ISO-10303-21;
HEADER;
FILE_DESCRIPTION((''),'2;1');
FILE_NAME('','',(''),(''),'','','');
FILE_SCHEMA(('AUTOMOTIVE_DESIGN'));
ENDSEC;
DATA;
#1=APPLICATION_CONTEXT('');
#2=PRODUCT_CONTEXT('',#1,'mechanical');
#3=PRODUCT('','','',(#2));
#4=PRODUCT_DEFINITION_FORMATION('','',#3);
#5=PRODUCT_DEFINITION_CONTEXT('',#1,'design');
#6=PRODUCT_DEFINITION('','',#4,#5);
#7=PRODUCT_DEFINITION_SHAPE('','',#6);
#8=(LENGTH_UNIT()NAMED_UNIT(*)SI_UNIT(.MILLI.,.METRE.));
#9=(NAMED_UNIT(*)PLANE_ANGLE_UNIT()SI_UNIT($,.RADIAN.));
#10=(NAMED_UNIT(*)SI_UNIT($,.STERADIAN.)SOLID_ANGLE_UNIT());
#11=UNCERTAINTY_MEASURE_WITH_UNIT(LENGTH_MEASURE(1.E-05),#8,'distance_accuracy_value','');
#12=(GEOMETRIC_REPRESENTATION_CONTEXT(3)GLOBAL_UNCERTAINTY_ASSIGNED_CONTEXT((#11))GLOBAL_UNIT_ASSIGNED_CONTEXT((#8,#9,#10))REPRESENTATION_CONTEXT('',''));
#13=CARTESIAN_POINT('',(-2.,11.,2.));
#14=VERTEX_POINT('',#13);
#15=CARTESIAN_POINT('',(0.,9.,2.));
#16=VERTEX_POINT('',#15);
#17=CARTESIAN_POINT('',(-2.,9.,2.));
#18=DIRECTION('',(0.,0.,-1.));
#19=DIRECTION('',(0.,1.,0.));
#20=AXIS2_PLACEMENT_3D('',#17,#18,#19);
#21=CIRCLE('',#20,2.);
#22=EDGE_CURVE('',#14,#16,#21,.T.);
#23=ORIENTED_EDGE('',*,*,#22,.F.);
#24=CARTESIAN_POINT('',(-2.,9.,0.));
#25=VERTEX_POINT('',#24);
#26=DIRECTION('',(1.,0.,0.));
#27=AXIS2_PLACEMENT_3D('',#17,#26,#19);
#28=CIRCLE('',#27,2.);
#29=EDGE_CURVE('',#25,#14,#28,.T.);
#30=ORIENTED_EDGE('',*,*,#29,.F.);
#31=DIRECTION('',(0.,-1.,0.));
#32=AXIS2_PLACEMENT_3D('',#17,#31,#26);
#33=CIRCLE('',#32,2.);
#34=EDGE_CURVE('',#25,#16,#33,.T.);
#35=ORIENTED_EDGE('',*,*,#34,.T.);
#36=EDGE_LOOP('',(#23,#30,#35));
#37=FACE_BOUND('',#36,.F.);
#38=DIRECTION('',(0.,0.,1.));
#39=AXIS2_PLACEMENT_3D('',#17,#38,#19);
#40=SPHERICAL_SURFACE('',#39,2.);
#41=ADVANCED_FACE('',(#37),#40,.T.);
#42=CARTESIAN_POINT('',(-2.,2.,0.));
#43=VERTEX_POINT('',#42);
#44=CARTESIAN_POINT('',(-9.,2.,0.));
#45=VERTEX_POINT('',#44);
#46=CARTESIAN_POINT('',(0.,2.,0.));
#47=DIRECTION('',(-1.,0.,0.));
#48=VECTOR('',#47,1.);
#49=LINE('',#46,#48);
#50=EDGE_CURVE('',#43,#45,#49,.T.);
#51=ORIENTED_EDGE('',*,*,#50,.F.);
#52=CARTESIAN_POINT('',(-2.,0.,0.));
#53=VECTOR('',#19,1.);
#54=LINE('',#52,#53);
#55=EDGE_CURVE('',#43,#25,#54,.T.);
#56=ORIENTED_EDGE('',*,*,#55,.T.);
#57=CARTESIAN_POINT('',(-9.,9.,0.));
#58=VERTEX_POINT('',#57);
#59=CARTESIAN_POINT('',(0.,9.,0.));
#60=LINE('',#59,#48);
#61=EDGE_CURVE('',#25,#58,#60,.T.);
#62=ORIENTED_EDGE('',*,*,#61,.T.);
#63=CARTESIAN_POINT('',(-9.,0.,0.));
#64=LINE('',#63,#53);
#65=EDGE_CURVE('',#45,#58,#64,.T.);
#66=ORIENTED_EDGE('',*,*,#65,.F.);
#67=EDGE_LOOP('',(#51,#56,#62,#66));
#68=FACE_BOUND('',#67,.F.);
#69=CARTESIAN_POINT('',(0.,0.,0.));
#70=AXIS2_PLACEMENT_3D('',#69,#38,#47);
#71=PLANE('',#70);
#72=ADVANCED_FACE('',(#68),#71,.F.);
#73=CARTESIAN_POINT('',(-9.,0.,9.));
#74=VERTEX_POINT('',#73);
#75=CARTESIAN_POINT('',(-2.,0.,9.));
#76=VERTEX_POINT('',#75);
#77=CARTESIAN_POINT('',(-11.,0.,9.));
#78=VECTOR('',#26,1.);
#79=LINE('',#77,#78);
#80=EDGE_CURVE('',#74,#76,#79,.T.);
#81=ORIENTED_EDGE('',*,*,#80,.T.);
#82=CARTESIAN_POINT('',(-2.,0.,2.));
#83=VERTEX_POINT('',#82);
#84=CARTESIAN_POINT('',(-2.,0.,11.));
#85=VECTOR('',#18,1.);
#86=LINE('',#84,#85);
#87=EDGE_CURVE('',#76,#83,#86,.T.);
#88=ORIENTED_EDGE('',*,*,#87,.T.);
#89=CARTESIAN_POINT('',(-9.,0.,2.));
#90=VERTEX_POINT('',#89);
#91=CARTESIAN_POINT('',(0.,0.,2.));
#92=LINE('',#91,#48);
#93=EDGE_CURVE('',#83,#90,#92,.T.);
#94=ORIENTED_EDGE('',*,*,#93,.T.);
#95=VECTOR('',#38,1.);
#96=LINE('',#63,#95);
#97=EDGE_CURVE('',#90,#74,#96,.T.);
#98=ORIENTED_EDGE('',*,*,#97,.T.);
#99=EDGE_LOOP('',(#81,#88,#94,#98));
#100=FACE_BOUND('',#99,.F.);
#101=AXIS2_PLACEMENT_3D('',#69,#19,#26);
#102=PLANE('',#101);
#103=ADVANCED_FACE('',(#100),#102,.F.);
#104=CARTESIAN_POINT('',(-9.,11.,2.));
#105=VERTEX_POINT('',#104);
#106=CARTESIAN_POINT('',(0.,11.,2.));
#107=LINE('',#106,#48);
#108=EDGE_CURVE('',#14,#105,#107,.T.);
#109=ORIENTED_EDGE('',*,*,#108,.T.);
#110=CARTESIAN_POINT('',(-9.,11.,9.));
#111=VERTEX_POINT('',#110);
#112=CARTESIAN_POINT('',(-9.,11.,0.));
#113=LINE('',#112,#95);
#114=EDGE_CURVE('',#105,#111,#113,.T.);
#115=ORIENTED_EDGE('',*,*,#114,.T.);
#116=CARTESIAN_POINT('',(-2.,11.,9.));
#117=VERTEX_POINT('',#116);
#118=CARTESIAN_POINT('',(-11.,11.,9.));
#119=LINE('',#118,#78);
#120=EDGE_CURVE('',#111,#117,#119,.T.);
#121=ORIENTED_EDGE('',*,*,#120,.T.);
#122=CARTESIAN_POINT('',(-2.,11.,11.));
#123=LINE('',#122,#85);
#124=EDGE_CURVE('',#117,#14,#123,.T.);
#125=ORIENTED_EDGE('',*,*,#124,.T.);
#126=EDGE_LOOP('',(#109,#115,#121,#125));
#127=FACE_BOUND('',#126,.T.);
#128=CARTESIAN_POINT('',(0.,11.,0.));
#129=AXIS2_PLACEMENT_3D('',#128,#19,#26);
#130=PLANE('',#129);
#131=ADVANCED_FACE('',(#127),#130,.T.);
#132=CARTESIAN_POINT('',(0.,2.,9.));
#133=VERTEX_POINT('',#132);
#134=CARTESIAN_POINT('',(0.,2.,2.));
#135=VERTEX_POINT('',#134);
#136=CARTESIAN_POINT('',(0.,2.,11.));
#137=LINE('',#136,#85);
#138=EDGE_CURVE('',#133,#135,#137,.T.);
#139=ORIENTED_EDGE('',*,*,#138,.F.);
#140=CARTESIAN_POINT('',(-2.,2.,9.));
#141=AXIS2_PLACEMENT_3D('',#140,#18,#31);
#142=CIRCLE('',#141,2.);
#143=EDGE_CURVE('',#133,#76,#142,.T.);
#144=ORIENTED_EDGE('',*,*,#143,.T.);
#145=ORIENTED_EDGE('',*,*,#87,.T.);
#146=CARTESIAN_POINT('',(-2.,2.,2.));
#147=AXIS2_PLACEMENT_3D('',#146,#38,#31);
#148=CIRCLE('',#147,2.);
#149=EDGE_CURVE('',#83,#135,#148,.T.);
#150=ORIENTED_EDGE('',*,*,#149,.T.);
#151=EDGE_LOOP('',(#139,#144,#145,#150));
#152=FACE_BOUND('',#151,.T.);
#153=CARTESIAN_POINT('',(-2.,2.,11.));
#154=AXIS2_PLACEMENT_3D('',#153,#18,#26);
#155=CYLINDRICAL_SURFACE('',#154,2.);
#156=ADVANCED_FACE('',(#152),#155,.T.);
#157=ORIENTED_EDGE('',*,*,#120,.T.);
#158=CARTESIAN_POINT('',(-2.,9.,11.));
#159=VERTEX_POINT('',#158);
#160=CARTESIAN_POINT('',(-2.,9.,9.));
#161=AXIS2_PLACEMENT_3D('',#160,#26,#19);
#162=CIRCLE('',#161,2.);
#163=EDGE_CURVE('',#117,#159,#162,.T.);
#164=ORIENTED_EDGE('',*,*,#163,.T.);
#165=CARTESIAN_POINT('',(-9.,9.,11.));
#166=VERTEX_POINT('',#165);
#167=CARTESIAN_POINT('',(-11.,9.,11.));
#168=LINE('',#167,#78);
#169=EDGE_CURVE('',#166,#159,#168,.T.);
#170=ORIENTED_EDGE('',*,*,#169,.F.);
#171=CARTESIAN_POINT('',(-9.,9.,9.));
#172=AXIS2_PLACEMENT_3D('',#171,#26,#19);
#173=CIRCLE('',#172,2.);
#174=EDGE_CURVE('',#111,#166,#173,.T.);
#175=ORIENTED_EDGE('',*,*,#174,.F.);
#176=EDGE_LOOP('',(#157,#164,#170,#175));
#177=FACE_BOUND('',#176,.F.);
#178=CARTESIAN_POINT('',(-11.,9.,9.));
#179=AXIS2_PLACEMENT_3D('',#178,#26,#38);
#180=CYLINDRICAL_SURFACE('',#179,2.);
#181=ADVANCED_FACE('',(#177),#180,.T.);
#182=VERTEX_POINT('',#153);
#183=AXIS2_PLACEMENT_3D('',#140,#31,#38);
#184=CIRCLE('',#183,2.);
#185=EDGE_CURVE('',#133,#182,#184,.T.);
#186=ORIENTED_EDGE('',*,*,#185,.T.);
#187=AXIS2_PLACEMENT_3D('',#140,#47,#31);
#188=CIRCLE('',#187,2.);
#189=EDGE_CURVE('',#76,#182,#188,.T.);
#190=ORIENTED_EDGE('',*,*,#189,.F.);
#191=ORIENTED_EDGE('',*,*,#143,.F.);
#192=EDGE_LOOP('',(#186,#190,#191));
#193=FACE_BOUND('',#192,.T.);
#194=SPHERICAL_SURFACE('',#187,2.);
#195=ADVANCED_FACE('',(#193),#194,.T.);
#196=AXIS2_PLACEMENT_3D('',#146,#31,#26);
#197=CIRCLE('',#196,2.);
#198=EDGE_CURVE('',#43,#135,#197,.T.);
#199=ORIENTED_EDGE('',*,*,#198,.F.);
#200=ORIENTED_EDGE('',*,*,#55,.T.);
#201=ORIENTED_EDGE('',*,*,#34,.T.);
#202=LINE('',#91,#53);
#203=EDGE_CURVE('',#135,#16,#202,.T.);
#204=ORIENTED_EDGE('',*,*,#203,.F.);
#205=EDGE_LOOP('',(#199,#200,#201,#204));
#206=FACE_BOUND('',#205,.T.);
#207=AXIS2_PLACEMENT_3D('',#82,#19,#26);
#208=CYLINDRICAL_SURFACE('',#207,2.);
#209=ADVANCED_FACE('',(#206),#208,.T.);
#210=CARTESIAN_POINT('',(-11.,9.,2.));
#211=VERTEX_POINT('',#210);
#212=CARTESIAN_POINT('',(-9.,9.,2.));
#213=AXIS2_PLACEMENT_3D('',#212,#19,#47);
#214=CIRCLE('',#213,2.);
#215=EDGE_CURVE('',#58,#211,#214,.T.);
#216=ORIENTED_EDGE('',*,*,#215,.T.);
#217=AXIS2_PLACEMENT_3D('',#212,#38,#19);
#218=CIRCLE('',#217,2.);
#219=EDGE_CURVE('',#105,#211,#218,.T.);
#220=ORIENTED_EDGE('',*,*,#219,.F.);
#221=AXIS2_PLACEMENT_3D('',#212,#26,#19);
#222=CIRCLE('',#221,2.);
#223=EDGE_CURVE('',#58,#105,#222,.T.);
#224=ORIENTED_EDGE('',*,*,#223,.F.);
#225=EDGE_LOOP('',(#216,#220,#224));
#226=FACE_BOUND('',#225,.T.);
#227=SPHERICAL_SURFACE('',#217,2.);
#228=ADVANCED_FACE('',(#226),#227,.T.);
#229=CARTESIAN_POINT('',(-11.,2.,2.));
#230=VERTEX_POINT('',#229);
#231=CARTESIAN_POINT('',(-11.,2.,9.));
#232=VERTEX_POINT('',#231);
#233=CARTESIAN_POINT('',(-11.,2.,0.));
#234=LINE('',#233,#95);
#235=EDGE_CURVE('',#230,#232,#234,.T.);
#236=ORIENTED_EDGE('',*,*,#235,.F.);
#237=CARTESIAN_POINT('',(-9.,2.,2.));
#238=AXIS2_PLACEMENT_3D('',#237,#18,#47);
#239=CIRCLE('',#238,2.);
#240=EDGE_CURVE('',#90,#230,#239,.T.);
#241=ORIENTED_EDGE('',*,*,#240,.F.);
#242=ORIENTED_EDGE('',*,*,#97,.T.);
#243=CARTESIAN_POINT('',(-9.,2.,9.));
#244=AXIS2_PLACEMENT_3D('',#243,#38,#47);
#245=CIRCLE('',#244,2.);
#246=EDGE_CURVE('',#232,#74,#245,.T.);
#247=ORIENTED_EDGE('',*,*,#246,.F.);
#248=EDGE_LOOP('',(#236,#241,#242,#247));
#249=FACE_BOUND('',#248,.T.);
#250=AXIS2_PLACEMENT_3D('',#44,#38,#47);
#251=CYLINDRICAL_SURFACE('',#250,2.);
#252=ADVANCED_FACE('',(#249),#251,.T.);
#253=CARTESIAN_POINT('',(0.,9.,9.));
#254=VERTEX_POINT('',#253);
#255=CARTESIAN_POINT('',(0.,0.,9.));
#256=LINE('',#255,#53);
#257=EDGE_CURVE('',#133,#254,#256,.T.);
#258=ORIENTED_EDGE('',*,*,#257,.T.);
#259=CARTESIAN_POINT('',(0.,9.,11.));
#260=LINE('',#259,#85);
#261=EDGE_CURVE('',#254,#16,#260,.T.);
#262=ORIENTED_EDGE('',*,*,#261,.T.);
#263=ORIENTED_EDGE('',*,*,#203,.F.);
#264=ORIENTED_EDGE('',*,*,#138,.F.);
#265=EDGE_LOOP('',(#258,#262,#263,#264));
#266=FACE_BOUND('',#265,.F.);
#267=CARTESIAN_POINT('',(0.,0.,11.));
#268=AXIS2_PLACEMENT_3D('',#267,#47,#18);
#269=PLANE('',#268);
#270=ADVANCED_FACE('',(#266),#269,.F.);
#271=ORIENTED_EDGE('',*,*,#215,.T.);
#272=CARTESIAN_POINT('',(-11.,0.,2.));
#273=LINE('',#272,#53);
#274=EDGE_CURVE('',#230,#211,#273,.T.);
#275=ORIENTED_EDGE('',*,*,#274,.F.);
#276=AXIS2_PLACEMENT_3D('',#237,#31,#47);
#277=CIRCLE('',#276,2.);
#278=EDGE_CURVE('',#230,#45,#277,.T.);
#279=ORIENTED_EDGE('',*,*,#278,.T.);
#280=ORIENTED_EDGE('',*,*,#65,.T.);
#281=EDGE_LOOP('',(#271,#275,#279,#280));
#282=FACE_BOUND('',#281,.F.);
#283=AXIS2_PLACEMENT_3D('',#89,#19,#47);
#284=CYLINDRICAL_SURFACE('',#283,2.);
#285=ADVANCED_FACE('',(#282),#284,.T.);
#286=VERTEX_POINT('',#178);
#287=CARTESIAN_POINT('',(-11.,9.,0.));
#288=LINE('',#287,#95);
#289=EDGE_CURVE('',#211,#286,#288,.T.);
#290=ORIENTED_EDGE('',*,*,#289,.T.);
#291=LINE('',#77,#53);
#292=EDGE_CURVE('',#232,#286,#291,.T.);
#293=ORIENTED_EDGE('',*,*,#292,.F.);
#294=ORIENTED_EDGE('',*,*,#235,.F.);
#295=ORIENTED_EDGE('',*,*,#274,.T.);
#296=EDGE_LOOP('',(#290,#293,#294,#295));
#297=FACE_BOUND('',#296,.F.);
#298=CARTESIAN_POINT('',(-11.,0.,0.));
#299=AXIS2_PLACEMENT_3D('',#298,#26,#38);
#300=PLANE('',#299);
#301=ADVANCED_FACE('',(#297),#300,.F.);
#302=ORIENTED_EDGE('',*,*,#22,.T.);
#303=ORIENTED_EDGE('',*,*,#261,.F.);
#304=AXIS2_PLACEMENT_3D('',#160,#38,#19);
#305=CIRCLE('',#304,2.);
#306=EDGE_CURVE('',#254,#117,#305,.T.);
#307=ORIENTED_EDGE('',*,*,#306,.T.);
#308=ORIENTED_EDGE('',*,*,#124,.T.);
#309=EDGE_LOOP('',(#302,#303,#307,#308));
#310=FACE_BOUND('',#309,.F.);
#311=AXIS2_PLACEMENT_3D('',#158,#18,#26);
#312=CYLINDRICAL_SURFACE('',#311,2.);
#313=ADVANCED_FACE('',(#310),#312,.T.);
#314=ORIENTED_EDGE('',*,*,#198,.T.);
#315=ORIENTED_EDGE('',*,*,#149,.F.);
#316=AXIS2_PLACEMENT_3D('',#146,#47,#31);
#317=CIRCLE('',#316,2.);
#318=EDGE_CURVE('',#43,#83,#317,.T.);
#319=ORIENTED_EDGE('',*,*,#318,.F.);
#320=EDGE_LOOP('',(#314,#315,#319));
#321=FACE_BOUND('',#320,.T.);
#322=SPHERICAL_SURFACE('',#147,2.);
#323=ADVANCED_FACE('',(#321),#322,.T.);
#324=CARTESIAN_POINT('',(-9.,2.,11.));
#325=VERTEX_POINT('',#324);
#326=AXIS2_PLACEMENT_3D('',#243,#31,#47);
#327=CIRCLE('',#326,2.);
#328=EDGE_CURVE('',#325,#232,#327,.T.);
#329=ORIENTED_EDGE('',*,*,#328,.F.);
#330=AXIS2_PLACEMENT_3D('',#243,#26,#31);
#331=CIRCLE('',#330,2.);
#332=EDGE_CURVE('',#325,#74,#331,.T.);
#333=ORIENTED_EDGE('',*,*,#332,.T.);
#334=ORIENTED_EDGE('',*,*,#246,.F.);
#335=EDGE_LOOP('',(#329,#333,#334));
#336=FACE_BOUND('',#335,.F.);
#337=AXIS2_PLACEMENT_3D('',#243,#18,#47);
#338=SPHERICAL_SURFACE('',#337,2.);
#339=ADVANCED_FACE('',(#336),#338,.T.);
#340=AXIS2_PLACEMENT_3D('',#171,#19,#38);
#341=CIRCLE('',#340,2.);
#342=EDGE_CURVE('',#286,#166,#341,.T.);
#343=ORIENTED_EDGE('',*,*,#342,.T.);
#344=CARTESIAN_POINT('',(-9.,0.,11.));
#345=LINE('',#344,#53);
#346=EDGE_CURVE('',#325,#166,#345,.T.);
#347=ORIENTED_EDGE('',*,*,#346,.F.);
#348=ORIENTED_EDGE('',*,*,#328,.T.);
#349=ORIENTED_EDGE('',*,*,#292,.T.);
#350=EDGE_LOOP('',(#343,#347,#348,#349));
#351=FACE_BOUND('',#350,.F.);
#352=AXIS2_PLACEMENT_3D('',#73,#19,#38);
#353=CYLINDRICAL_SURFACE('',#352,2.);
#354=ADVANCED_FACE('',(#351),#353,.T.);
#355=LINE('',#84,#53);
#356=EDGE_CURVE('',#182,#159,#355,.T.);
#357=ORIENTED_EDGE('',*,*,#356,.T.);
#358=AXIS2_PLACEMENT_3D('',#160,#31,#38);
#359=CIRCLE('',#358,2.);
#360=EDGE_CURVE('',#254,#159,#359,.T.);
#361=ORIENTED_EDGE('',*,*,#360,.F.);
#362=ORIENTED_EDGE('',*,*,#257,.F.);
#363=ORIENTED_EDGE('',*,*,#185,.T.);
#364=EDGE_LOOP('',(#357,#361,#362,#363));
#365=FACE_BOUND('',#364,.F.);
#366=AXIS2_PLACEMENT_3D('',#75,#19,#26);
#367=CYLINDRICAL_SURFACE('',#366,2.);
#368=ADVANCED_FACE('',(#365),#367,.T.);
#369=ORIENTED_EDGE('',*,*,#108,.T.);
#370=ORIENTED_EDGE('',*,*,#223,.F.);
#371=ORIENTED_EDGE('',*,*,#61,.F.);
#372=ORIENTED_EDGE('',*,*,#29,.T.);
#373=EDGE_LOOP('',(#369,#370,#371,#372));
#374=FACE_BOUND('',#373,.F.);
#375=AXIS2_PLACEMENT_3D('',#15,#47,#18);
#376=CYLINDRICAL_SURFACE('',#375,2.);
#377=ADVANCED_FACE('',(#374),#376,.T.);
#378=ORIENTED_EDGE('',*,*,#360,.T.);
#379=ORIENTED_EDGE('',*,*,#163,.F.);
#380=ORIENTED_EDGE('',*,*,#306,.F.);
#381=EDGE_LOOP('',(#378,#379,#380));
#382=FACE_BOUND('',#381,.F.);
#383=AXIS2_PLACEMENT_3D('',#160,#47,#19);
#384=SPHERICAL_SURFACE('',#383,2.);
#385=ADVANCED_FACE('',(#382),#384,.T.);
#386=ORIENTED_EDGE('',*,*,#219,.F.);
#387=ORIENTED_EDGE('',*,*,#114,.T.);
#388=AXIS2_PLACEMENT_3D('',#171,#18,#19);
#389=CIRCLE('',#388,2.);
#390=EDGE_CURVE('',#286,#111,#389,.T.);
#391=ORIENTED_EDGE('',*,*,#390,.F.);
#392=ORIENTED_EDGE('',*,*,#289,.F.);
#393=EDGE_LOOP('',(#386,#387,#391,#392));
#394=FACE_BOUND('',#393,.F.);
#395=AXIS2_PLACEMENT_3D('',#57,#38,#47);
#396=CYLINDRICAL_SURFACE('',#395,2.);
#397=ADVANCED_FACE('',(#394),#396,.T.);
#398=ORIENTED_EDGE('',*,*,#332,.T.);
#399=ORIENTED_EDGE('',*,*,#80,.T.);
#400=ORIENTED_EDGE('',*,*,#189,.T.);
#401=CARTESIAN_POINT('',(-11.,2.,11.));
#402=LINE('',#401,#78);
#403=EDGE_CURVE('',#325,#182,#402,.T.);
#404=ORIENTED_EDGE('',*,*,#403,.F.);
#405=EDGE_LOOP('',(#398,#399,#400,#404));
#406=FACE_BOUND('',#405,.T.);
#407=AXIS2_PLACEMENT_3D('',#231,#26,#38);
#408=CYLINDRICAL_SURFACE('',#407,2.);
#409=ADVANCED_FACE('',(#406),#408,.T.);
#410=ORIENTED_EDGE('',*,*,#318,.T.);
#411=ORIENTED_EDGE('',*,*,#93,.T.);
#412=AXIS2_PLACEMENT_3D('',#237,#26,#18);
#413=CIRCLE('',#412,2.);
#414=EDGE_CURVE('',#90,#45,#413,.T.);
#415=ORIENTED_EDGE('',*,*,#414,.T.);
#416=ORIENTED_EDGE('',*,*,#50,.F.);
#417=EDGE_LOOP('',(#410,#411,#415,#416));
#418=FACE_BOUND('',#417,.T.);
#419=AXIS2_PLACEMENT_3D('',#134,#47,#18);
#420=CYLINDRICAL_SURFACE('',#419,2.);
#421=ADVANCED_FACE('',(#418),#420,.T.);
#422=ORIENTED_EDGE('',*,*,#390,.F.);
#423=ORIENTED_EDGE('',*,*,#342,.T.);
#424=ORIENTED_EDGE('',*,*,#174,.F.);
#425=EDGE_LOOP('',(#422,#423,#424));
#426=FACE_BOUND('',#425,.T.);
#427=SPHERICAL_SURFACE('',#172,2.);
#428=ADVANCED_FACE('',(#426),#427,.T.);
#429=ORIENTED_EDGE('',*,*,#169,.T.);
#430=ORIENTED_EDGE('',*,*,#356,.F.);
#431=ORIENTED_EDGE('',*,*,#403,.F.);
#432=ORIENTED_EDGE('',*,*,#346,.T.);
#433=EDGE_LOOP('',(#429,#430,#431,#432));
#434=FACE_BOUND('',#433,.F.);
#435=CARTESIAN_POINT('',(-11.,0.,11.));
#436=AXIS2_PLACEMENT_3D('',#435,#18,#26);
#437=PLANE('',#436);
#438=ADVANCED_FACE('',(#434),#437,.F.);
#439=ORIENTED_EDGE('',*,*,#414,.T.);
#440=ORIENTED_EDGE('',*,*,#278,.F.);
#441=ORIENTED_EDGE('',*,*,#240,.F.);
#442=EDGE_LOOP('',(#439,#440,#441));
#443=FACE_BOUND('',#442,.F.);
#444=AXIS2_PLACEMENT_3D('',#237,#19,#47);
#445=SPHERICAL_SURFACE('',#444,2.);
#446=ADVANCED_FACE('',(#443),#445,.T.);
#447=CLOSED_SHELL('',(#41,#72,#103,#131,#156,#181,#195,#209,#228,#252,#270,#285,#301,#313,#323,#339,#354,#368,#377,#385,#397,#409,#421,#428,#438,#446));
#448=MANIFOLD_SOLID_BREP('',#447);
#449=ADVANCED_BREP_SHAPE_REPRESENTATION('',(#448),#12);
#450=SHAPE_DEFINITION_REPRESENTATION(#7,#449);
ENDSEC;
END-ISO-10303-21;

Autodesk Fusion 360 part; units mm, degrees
sketch "Schizzo1" plane through (0, 0, 0) normal (0, 1, 0) x (1, 0, 0)
  line L0 (0, 0) -> (-11, 0)
  line L1 (-11, 0) -> (-11, -11)
  line L2 (-11, -11) -> (0, -11)
  line L3 (0, -11) -> (0, 0)
  dimension "d3" = 11
  dimension "d4" = 11
extrude "Estrusione1" add sketch "Schizzo1" along normal blind 11
fillet "Raccordo1" radius 2 12 edges at (-5.5, 11, 11) (0, 11, 5.5) (-11, 11, 5.5) (-5.5, 11, 0) (-11, 5.5, 0) (-11, 0, 5.5) (-11, 5.5, 11) (-5.5, 0, 11) (0, 0, 5.5) (-5.5, 0, 0) (0, 5.5, 0) (0, 5.5, 11)
